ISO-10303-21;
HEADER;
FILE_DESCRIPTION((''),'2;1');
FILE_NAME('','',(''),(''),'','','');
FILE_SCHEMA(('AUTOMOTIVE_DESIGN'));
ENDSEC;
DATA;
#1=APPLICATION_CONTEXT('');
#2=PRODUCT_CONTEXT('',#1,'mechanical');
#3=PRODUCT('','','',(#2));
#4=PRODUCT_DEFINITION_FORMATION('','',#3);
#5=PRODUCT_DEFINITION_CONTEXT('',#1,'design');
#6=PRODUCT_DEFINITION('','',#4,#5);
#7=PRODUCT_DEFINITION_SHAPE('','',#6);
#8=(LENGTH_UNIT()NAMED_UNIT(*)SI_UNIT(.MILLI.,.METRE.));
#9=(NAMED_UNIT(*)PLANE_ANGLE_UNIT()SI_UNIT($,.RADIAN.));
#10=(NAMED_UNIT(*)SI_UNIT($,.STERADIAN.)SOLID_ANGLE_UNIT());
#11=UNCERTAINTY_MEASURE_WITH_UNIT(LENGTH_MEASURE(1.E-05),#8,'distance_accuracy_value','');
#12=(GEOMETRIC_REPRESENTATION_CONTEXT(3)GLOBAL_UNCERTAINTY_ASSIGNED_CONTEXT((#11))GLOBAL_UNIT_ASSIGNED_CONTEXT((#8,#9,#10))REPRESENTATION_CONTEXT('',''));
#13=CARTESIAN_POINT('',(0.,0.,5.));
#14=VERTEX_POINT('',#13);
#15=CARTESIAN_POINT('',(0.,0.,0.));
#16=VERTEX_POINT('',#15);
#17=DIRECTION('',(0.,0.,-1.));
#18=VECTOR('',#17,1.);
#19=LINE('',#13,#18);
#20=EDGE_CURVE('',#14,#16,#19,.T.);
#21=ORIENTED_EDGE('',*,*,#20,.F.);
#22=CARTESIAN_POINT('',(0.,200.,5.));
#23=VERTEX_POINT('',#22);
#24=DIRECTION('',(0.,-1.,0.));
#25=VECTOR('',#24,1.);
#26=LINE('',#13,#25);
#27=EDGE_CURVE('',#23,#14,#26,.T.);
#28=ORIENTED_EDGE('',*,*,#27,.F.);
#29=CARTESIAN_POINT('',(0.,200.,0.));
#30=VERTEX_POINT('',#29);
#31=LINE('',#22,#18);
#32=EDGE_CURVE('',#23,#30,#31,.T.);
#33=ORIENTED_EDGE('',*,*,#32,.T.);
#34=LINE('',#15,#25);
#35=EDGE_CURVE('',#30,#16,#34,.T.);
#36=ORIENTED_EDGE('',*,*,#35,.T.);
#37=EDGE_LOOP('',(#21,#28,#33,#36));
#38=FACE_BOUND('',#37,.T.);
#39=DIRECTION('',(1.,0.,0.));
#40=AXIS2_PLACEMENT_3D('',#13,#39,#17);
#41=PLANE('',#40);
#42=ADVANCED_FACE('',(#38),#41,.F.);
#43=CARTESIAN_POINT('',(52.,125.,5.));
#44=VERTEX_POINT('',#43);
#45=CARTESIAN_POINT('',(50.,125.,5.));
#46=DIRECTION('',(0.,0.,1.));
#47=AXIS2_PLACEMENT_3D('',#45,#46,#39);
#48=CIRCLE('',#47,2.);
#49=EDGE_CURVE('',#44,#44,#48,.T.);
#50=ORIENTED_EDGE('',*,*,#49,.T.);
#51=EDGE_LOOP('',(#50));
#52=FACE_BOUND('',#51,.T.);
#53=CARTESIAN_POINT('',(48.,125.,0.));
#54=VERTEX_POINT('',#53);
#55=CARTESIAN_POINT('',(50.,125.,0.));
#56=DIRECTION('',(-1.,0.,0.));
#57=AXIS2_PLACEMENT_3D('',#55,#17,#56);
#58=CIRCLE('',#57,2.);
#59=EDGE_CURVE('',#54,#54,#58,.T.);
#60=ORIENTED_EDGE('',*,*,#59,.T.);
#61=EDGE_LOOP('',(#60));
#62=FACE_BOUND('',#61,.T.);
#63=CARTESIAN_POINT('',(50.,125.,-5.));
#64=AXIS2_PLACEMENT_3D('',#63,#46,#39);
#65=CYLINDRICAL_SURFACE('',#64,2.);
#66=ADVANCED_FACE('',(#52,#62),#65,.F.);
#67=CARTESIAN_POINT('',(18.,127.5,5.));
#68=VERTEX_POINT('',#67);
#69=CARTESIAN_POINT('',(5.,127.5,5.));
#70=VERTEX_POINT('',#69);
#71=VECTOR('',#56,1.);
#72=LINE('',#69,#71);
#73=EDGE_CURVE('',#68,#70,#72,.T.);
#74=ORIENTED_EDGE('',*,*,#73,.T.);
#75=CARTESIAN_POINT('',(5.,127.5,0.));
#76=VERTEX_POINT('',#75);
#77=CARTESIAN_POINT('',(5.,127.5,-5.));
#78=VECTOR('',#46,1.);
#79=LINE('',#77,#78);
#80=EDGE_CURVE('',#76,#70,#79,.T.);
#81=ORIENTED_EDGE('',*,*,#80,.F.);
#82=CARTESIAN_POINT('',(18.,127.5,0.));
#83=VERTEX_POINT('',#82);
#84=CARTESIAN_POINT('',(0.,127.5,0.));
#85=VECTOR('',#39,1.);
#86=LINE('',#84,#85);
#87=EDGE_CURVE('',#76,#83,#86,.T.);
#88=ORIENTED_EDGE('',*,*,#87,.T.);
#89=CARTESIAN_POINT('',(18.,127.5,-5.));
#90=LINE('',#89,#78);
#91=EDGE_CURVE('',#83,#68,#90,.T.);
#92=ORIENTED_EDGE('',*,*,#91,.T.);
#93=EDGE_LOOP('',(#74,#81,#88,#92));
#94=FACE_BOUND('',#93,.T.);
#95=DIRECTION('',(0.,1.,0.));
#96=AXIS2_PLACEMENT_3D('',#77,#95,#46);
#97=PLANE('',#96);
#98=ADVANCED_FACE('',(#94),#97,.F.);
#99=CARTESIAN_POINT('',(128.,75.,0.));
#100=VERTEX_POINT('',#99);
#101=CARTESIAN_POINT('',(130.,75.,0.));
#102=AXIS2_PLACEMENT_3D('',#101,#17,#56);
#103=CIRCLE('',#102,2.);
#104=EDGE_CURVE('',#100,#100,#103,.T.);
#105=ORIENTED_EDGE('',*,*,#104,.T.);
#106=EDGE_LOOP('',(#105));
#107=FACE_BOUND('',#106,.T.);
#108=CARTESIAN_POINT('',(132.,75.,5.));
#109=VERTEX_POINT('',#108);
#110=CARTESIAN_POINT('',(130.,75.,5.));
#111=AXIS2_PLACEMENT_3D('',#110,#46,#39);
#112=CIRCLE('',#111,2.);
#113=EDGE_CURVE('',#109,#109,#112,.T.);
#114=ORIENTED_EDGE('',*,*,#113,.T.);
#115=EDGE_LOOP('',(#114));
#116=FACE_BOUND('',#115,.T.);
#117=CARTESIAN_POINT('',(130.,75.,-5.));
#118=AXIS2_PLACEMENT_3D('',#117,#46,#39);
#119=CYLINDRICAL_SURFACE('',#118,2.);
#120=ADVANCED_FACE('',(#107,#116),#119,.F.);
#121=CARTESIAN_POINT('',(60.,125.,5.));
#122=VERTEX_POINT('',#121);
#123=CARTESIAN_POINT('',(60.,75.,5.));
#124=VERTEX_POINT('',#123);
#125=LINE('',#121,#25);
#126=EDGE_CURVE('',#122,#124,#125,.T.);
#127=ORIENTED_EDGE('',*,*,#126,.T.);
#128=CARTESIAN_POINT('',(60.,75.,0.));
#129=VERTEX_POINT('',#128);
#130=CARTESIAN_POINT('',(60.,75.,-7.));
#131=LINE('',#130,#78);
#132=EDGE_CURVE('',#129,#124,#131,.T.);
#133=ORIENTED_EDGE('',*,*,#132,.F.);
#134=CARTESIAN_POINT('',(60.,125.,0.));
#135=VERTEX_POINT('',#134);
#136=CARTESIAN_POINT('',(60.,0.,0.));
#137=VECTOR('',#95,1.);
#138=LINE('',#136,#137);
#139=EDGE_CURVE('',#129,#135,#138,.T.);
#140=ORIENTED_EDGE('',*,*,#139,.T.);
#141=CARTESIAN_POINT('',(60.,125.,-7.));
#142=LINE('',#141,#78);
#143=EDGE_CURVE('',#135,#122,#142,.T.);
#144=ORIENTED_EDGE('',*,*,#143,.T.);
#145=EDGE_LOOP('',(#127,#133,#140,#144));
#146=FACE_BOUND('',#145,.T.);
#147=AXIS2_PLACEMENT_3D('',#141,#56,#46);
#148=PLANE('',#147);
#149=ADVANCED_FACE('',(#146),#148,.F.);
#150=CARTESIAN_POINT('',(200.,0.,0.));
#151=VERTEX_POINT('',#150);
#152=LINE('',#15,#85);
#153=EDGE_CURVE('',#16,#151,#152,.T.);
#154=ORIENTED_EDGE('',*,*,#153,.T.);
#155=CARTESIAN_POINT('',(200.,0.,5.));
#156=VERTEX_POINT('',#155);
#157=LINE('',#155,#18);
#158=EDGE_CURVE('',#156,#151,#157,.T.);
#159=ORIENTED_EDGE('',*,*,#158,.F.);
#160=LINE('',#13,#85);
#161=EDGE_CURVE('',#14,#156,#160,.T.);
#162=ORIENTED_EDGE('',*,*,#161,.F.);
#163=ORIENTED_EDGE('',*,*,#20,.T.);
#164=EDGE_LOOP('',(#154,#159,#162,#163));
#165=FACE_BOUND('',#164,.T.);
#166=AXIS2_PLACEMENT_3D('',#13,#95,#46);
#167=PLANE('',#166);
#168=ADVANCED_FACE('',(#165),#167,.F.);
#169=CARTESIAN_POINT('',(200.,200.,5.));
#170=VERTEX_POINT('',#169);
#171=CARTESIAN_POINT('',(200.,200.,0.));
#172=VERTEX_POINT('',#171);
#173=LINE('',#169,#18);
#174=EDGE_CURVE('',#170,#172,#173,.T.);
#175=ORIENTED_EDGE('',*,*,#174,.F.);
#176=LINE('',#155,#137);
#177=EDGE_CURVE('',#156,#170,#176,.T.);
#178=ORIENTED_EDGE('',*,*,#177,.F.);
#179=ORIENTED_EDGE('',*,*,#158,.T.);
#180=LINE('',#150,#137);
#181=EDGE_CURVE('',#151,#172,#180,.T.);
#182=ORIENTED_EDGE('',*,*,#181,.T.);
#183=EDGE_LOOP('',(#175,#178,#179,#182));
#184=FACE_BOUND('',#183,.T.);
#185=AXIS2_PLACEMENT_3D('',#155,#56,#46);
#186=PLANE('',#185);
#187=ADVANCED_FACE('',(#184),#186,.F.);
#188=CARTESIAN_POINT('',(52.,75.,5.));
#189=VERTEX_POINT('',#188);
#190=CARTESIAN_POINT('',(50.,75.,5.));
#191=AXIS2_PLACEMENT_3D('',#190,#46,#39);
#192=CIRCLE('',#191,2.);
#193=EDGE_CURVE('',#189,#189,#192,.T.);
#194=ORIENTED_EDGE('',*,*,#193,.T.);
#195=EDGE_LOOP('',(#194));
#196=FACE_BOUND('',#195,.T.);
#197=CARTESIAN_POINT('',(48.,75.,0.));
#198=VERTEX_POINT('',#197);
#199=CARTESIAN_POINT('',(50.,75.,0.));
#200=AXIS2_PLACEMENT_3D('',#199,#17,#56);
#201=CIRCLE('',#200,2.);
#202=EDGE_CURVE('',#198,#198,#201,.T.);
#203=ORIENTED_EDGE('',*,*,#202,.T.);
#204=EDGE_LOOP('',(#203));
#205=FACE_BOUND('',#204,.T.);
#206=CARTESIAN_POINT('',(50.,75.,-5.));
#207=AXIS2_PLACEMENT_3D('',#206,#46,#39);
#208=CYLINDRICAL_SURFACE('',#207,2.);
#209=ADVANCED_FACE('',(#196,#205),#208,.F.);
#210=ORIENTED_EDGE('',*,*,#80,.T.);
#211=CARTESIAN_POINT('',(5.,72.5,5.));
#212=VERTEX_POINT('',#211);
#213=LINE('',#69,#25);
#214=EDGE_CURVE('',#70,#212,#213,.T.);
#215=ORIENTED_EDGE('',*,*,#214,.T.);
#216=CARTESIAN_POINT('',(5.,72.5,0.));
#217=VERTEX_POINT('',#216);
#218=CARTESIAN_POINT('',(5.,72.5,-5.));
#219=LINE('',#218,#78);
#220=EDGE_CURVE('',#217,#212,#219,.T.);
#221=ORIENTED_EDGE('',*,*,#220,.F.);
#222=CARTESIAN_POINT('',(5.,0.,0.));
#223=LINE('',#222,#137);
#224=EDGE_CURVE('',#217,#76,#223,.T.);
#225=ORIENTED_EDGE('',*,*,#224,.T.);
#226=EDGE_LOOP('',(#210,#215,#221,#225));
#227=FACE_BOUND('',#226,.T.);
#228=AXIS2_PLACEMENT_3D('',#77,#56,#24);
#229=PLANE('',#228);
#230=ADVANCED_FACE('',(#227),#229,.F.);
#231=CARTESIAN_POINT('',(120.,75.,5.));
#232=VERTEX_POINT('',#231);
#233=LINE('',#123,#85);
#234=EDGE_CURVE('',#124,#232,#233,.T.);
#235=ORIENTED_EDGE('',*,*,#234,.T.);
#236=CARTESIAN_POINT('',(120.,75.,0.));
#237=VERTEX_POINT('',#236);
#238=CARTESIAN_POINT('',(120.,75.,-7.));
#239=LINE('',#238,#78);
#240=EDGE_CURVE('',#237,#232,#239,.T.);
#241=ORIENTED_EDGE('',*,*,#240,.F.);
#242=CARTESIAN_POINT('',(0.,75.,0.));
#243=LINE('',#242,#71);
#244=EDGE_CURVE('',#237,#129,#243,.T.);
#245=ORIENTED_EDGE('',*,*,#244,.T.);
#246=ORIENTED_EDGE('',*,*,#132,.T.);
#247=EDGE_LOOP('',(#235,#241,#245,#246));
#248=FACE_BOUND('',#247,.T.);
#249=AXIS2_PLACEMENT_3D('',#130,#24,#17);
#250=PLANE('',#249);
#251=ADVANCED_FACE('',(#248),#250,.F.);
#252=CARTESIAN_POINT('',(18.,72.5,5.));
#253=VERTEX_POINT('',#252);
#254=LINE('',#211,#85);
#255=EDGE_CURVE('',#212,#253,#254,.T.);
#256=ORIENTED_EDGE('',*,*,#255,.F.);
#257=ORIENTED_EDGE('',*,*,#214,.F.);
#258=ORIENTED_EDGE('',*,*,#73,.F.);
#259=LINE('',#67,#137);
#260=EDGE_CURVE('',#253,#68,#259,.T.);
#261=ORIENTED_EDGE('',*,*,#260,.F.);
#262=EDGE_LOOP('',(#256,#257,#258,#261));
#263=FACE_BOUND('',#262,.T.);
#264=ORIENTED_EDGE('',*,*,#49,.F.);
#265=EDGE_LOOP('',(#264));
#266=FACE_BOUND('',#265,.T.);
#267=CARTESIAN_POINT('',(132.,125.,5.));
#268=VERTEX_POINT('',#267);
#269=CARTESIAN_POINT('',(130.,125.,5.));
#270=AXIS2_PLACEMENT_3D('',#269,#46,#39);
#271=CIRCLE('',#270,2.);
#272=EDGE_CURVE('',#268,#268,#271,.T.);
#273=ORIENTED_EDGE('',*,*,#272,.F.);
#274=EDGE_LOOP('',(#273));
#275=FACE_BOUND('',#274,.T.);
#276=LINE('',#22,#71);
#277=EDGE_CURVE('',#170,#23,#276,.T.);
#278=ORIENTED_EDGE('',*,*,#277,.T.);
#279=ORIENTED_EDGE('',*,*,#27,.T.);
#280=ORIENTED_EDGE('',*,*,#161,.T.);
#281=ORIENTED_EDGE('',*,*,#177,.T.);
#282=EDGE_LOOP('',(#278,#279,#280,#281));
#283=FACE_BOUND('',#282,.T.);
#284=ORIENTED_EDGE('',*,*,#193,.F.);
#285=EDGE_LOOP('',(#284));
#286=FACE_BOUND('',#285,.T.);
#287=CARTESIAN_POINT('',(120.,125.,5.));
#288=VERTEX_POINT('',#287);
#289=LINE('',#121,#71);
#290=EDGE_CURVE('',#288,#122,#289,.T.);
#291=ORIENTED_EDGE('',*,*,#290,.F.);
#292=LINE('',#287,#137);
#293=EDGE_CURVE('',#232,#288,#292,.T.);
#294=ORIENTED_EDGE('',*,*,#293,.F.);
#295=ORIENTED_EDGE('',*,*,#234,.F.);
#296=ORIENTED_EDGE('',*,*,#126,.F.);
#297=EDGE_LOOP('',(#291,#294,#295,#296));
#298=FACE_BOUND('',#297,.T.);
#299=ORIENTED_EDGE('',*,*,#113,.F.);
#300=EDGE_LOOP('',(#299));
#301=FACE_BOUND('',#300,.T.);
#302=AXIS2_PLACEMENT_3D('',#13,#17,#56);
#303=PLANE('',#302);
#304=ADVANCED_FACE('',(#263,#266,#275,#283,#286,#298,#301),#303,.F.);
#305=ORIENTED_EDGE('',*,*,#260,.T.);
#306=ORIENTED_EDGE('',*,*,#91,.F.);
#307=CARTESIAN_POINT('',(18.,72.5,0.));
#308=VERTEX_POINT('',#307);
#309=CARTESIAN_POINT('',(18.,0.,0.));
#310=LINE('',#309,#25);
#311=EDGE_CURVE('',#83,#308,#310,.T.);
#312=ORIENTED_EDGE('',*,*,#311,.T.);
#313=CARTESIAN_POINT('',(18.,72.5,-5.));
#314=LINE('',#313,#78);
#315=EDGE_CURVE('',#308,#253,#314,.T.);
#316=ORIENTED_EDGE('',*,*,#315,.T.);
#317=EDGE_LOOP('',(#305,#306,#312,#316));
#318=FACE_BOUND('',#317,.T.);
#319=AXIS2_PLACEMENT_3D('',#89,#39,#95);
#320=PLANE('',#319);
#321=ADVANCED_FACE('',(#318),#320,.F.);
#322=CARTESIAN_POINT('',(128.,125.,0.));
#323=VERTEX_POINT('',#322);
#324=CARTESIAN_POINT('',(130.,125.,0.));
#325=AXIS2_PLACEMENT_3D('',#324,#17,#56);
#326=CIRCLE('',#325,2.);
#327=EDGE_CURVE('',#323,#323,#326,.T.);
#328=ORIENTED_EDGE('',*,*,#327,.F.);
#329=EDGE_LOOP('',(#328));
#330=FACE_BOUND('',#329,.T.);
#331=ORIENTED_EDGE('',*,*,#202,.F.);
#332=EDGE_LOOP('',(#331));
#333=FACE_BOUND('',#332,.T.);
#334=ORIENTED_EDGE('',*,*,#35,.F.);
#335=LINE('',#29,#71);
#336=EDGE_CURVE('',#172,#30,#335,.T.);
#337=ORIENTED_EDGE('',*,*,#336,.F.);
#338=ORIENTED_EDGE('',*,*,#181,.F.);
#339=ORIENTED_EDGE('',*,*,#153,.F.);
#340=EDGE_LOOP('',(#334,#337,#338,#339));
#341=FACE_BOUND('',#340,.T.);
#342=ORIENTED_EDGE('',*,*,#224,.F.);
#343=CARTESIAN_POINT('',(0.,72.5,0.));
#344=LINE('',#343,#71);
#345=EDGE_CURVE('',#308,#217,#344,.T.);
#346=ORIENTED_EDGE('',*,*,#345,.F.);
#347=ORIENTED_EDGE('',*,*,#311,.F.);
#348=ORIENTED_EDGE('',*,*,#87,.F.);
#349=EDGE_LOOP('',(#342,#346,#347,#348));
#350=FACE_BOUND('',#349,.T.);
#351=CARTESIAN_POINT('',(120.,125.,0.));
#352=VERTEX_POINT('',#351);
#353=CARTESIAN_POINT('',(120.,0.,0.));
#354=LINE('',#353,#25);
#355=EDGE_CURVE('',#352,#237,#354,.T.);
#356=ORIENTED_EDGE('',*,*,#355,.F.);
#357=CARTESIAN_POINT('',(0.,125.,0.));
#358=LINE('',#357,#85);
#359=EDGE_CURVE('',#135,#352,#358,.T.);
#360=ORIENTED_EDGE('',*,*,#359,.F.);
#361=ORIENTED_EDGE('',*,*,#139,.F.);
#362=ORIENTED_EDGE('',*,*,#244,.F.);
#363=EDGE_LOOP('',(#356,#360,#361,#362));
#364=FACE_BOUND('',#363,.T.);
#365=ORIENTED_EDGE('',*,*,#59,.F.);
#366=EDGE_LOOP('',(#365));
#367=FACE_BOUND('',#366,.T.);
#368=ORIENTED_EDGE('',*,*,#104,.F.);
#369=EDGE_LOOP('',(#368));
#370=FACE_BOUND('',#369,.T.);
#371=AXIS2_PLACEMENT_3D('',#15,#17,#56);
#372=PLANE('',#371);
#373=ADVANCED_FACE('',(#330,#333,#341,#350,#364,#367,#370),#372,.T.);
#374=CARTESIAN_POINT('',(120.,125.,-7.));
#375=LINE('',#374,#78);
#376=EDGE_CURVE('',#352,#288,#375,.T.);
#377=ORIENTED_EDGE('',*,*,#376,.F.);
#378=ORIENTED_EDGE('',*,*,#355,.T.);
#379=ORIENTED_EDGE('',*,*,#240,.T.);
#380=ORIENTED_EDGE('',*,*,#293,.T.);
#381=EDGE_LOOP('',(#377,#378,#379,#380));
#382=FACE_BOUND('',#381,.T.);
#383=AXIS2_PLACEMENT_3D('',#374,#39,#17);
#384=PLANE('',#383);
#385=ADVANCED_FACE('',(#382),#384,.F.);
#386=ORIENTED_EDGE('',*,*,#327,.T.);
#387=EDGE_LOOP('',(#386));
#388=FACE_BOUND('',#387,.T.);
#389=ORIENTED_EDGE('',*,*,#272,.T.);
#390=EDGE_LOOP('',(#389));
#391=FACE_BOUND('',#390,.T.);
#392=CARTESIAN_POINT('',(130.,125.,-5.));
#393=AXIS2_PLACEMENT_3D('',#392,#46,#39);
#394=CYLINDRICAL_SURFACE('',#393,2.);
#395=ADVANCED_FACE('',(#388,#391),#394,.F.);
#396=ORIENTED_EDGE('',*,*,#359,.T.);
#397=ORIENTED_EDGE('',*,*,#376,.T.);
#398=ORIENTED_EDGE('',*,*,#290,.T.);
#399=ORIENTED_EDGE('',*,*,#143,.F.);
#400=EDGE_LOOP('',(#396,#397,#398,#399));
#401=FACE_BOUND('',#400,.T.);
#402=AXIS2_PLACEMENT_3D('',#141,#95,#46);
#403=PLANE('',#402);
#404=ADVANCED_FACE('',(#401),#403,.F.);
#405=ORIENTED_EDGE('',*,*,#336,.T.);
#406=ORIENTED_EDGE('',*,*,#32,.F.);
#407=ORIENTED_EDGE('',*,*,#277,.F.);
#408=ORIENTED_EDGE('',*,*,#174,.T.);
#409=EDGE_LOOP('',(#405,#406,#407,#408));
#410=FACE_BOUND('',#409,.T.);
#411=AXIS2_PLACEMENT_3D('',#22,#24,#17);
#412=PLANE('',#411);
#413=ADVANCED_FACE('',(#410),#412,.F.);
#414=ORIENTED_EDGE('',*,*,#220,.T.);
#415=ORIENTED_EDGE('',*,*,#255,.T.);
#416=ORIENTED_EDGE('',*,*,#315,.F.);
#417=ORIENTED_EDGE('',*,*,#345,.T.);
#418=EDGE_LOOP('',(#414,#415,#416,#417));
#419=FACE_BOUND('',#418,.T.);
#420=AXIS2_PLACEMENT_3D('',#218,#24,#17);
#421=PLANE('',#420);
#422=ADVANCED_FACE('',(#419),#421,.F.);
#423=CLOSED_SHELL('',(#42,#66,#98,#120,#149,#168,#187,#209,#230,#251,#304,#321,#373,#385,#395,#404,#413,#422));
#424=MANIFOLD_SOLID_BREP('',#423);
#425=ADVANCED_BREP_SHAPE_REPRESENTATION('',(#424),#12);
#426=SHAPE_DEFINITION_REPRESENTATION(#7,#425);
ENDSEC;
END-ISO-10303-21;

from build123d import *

# Parameters (mm, degrees)
ESQUISSE1_W             = 200
ESQUISSE1_H             = 200
BOSS_EXTRU_1_DEPTH      = 5
ESQUISSE2_R             = 2
ENL_V_MAT_EXTRU_1_DEPTH = 10
ESQUISSE3_W             = 13
ESQUISSE3_H             = 55
ENL_V_MAT_EXTRU_2_DEPTH = 10
ESQUISSE4_W             = 60
ESQUISSE4_H             = 50
ENL_V_MAT_EXTRU_3_DEPTH = 12


with BuildPart() as part:
    # Esquisse1 → Boss.-Extru.1 (new body)
    with BuildSketch(Plane.XY):
        with Locations((100, 100)):
            Rectangle(ESQUISSE1_W, ESQUISSE1_H)
    extrude(amount=BOSS_EXTRU_1_DEPTH)

    # Esquisse2 → Enlèv. mat.-Extru.1 (cut)
    with BuildSketch(Plane.XY.offset(5)):
        with Locations((50, 125)):
            Circle(ESQUISSE2_R)
        with Locations((50, 75)):
            Circle(ESQUISSE2_R)
        with Locations((130, 125)):
            Circle(ESQUISSE2_R)
        with Locations((130, 75)):
            Circle(ESQUISSE2_R)
    extrude(amount=-ENL_V_MAT_EXTRU_1_DEPTH, mode=Mode.SUBTRACT)

    # Esquisse3 → Enlèv. mat.-Extru.2 (cut)
    with BuildSketch(Plane.XY.offset(5)):
        with Locations((11.5, 100)):
            Rectangle(ESQUISSE3_W, ESQUISSE3_H)
    extrude(amount=-ENL_V_MAT_EXTRU_2_DEPTH, mode=Mode.SUBTRACT)

    # Esquisse4 → Enlèv. mat.-Extru.3 (cut)
    with BuildSketch(Plane.XY.offset(5)):
        with Locations((90, 100)):
            Rectangle(ESQUISSE4_W, ESQUISSE4_H)
    extrude(amount=-ENL_V_MAT_EXTRU_3_DEPTH, mode=Mode.SUBTRACT)


solid = part.part
